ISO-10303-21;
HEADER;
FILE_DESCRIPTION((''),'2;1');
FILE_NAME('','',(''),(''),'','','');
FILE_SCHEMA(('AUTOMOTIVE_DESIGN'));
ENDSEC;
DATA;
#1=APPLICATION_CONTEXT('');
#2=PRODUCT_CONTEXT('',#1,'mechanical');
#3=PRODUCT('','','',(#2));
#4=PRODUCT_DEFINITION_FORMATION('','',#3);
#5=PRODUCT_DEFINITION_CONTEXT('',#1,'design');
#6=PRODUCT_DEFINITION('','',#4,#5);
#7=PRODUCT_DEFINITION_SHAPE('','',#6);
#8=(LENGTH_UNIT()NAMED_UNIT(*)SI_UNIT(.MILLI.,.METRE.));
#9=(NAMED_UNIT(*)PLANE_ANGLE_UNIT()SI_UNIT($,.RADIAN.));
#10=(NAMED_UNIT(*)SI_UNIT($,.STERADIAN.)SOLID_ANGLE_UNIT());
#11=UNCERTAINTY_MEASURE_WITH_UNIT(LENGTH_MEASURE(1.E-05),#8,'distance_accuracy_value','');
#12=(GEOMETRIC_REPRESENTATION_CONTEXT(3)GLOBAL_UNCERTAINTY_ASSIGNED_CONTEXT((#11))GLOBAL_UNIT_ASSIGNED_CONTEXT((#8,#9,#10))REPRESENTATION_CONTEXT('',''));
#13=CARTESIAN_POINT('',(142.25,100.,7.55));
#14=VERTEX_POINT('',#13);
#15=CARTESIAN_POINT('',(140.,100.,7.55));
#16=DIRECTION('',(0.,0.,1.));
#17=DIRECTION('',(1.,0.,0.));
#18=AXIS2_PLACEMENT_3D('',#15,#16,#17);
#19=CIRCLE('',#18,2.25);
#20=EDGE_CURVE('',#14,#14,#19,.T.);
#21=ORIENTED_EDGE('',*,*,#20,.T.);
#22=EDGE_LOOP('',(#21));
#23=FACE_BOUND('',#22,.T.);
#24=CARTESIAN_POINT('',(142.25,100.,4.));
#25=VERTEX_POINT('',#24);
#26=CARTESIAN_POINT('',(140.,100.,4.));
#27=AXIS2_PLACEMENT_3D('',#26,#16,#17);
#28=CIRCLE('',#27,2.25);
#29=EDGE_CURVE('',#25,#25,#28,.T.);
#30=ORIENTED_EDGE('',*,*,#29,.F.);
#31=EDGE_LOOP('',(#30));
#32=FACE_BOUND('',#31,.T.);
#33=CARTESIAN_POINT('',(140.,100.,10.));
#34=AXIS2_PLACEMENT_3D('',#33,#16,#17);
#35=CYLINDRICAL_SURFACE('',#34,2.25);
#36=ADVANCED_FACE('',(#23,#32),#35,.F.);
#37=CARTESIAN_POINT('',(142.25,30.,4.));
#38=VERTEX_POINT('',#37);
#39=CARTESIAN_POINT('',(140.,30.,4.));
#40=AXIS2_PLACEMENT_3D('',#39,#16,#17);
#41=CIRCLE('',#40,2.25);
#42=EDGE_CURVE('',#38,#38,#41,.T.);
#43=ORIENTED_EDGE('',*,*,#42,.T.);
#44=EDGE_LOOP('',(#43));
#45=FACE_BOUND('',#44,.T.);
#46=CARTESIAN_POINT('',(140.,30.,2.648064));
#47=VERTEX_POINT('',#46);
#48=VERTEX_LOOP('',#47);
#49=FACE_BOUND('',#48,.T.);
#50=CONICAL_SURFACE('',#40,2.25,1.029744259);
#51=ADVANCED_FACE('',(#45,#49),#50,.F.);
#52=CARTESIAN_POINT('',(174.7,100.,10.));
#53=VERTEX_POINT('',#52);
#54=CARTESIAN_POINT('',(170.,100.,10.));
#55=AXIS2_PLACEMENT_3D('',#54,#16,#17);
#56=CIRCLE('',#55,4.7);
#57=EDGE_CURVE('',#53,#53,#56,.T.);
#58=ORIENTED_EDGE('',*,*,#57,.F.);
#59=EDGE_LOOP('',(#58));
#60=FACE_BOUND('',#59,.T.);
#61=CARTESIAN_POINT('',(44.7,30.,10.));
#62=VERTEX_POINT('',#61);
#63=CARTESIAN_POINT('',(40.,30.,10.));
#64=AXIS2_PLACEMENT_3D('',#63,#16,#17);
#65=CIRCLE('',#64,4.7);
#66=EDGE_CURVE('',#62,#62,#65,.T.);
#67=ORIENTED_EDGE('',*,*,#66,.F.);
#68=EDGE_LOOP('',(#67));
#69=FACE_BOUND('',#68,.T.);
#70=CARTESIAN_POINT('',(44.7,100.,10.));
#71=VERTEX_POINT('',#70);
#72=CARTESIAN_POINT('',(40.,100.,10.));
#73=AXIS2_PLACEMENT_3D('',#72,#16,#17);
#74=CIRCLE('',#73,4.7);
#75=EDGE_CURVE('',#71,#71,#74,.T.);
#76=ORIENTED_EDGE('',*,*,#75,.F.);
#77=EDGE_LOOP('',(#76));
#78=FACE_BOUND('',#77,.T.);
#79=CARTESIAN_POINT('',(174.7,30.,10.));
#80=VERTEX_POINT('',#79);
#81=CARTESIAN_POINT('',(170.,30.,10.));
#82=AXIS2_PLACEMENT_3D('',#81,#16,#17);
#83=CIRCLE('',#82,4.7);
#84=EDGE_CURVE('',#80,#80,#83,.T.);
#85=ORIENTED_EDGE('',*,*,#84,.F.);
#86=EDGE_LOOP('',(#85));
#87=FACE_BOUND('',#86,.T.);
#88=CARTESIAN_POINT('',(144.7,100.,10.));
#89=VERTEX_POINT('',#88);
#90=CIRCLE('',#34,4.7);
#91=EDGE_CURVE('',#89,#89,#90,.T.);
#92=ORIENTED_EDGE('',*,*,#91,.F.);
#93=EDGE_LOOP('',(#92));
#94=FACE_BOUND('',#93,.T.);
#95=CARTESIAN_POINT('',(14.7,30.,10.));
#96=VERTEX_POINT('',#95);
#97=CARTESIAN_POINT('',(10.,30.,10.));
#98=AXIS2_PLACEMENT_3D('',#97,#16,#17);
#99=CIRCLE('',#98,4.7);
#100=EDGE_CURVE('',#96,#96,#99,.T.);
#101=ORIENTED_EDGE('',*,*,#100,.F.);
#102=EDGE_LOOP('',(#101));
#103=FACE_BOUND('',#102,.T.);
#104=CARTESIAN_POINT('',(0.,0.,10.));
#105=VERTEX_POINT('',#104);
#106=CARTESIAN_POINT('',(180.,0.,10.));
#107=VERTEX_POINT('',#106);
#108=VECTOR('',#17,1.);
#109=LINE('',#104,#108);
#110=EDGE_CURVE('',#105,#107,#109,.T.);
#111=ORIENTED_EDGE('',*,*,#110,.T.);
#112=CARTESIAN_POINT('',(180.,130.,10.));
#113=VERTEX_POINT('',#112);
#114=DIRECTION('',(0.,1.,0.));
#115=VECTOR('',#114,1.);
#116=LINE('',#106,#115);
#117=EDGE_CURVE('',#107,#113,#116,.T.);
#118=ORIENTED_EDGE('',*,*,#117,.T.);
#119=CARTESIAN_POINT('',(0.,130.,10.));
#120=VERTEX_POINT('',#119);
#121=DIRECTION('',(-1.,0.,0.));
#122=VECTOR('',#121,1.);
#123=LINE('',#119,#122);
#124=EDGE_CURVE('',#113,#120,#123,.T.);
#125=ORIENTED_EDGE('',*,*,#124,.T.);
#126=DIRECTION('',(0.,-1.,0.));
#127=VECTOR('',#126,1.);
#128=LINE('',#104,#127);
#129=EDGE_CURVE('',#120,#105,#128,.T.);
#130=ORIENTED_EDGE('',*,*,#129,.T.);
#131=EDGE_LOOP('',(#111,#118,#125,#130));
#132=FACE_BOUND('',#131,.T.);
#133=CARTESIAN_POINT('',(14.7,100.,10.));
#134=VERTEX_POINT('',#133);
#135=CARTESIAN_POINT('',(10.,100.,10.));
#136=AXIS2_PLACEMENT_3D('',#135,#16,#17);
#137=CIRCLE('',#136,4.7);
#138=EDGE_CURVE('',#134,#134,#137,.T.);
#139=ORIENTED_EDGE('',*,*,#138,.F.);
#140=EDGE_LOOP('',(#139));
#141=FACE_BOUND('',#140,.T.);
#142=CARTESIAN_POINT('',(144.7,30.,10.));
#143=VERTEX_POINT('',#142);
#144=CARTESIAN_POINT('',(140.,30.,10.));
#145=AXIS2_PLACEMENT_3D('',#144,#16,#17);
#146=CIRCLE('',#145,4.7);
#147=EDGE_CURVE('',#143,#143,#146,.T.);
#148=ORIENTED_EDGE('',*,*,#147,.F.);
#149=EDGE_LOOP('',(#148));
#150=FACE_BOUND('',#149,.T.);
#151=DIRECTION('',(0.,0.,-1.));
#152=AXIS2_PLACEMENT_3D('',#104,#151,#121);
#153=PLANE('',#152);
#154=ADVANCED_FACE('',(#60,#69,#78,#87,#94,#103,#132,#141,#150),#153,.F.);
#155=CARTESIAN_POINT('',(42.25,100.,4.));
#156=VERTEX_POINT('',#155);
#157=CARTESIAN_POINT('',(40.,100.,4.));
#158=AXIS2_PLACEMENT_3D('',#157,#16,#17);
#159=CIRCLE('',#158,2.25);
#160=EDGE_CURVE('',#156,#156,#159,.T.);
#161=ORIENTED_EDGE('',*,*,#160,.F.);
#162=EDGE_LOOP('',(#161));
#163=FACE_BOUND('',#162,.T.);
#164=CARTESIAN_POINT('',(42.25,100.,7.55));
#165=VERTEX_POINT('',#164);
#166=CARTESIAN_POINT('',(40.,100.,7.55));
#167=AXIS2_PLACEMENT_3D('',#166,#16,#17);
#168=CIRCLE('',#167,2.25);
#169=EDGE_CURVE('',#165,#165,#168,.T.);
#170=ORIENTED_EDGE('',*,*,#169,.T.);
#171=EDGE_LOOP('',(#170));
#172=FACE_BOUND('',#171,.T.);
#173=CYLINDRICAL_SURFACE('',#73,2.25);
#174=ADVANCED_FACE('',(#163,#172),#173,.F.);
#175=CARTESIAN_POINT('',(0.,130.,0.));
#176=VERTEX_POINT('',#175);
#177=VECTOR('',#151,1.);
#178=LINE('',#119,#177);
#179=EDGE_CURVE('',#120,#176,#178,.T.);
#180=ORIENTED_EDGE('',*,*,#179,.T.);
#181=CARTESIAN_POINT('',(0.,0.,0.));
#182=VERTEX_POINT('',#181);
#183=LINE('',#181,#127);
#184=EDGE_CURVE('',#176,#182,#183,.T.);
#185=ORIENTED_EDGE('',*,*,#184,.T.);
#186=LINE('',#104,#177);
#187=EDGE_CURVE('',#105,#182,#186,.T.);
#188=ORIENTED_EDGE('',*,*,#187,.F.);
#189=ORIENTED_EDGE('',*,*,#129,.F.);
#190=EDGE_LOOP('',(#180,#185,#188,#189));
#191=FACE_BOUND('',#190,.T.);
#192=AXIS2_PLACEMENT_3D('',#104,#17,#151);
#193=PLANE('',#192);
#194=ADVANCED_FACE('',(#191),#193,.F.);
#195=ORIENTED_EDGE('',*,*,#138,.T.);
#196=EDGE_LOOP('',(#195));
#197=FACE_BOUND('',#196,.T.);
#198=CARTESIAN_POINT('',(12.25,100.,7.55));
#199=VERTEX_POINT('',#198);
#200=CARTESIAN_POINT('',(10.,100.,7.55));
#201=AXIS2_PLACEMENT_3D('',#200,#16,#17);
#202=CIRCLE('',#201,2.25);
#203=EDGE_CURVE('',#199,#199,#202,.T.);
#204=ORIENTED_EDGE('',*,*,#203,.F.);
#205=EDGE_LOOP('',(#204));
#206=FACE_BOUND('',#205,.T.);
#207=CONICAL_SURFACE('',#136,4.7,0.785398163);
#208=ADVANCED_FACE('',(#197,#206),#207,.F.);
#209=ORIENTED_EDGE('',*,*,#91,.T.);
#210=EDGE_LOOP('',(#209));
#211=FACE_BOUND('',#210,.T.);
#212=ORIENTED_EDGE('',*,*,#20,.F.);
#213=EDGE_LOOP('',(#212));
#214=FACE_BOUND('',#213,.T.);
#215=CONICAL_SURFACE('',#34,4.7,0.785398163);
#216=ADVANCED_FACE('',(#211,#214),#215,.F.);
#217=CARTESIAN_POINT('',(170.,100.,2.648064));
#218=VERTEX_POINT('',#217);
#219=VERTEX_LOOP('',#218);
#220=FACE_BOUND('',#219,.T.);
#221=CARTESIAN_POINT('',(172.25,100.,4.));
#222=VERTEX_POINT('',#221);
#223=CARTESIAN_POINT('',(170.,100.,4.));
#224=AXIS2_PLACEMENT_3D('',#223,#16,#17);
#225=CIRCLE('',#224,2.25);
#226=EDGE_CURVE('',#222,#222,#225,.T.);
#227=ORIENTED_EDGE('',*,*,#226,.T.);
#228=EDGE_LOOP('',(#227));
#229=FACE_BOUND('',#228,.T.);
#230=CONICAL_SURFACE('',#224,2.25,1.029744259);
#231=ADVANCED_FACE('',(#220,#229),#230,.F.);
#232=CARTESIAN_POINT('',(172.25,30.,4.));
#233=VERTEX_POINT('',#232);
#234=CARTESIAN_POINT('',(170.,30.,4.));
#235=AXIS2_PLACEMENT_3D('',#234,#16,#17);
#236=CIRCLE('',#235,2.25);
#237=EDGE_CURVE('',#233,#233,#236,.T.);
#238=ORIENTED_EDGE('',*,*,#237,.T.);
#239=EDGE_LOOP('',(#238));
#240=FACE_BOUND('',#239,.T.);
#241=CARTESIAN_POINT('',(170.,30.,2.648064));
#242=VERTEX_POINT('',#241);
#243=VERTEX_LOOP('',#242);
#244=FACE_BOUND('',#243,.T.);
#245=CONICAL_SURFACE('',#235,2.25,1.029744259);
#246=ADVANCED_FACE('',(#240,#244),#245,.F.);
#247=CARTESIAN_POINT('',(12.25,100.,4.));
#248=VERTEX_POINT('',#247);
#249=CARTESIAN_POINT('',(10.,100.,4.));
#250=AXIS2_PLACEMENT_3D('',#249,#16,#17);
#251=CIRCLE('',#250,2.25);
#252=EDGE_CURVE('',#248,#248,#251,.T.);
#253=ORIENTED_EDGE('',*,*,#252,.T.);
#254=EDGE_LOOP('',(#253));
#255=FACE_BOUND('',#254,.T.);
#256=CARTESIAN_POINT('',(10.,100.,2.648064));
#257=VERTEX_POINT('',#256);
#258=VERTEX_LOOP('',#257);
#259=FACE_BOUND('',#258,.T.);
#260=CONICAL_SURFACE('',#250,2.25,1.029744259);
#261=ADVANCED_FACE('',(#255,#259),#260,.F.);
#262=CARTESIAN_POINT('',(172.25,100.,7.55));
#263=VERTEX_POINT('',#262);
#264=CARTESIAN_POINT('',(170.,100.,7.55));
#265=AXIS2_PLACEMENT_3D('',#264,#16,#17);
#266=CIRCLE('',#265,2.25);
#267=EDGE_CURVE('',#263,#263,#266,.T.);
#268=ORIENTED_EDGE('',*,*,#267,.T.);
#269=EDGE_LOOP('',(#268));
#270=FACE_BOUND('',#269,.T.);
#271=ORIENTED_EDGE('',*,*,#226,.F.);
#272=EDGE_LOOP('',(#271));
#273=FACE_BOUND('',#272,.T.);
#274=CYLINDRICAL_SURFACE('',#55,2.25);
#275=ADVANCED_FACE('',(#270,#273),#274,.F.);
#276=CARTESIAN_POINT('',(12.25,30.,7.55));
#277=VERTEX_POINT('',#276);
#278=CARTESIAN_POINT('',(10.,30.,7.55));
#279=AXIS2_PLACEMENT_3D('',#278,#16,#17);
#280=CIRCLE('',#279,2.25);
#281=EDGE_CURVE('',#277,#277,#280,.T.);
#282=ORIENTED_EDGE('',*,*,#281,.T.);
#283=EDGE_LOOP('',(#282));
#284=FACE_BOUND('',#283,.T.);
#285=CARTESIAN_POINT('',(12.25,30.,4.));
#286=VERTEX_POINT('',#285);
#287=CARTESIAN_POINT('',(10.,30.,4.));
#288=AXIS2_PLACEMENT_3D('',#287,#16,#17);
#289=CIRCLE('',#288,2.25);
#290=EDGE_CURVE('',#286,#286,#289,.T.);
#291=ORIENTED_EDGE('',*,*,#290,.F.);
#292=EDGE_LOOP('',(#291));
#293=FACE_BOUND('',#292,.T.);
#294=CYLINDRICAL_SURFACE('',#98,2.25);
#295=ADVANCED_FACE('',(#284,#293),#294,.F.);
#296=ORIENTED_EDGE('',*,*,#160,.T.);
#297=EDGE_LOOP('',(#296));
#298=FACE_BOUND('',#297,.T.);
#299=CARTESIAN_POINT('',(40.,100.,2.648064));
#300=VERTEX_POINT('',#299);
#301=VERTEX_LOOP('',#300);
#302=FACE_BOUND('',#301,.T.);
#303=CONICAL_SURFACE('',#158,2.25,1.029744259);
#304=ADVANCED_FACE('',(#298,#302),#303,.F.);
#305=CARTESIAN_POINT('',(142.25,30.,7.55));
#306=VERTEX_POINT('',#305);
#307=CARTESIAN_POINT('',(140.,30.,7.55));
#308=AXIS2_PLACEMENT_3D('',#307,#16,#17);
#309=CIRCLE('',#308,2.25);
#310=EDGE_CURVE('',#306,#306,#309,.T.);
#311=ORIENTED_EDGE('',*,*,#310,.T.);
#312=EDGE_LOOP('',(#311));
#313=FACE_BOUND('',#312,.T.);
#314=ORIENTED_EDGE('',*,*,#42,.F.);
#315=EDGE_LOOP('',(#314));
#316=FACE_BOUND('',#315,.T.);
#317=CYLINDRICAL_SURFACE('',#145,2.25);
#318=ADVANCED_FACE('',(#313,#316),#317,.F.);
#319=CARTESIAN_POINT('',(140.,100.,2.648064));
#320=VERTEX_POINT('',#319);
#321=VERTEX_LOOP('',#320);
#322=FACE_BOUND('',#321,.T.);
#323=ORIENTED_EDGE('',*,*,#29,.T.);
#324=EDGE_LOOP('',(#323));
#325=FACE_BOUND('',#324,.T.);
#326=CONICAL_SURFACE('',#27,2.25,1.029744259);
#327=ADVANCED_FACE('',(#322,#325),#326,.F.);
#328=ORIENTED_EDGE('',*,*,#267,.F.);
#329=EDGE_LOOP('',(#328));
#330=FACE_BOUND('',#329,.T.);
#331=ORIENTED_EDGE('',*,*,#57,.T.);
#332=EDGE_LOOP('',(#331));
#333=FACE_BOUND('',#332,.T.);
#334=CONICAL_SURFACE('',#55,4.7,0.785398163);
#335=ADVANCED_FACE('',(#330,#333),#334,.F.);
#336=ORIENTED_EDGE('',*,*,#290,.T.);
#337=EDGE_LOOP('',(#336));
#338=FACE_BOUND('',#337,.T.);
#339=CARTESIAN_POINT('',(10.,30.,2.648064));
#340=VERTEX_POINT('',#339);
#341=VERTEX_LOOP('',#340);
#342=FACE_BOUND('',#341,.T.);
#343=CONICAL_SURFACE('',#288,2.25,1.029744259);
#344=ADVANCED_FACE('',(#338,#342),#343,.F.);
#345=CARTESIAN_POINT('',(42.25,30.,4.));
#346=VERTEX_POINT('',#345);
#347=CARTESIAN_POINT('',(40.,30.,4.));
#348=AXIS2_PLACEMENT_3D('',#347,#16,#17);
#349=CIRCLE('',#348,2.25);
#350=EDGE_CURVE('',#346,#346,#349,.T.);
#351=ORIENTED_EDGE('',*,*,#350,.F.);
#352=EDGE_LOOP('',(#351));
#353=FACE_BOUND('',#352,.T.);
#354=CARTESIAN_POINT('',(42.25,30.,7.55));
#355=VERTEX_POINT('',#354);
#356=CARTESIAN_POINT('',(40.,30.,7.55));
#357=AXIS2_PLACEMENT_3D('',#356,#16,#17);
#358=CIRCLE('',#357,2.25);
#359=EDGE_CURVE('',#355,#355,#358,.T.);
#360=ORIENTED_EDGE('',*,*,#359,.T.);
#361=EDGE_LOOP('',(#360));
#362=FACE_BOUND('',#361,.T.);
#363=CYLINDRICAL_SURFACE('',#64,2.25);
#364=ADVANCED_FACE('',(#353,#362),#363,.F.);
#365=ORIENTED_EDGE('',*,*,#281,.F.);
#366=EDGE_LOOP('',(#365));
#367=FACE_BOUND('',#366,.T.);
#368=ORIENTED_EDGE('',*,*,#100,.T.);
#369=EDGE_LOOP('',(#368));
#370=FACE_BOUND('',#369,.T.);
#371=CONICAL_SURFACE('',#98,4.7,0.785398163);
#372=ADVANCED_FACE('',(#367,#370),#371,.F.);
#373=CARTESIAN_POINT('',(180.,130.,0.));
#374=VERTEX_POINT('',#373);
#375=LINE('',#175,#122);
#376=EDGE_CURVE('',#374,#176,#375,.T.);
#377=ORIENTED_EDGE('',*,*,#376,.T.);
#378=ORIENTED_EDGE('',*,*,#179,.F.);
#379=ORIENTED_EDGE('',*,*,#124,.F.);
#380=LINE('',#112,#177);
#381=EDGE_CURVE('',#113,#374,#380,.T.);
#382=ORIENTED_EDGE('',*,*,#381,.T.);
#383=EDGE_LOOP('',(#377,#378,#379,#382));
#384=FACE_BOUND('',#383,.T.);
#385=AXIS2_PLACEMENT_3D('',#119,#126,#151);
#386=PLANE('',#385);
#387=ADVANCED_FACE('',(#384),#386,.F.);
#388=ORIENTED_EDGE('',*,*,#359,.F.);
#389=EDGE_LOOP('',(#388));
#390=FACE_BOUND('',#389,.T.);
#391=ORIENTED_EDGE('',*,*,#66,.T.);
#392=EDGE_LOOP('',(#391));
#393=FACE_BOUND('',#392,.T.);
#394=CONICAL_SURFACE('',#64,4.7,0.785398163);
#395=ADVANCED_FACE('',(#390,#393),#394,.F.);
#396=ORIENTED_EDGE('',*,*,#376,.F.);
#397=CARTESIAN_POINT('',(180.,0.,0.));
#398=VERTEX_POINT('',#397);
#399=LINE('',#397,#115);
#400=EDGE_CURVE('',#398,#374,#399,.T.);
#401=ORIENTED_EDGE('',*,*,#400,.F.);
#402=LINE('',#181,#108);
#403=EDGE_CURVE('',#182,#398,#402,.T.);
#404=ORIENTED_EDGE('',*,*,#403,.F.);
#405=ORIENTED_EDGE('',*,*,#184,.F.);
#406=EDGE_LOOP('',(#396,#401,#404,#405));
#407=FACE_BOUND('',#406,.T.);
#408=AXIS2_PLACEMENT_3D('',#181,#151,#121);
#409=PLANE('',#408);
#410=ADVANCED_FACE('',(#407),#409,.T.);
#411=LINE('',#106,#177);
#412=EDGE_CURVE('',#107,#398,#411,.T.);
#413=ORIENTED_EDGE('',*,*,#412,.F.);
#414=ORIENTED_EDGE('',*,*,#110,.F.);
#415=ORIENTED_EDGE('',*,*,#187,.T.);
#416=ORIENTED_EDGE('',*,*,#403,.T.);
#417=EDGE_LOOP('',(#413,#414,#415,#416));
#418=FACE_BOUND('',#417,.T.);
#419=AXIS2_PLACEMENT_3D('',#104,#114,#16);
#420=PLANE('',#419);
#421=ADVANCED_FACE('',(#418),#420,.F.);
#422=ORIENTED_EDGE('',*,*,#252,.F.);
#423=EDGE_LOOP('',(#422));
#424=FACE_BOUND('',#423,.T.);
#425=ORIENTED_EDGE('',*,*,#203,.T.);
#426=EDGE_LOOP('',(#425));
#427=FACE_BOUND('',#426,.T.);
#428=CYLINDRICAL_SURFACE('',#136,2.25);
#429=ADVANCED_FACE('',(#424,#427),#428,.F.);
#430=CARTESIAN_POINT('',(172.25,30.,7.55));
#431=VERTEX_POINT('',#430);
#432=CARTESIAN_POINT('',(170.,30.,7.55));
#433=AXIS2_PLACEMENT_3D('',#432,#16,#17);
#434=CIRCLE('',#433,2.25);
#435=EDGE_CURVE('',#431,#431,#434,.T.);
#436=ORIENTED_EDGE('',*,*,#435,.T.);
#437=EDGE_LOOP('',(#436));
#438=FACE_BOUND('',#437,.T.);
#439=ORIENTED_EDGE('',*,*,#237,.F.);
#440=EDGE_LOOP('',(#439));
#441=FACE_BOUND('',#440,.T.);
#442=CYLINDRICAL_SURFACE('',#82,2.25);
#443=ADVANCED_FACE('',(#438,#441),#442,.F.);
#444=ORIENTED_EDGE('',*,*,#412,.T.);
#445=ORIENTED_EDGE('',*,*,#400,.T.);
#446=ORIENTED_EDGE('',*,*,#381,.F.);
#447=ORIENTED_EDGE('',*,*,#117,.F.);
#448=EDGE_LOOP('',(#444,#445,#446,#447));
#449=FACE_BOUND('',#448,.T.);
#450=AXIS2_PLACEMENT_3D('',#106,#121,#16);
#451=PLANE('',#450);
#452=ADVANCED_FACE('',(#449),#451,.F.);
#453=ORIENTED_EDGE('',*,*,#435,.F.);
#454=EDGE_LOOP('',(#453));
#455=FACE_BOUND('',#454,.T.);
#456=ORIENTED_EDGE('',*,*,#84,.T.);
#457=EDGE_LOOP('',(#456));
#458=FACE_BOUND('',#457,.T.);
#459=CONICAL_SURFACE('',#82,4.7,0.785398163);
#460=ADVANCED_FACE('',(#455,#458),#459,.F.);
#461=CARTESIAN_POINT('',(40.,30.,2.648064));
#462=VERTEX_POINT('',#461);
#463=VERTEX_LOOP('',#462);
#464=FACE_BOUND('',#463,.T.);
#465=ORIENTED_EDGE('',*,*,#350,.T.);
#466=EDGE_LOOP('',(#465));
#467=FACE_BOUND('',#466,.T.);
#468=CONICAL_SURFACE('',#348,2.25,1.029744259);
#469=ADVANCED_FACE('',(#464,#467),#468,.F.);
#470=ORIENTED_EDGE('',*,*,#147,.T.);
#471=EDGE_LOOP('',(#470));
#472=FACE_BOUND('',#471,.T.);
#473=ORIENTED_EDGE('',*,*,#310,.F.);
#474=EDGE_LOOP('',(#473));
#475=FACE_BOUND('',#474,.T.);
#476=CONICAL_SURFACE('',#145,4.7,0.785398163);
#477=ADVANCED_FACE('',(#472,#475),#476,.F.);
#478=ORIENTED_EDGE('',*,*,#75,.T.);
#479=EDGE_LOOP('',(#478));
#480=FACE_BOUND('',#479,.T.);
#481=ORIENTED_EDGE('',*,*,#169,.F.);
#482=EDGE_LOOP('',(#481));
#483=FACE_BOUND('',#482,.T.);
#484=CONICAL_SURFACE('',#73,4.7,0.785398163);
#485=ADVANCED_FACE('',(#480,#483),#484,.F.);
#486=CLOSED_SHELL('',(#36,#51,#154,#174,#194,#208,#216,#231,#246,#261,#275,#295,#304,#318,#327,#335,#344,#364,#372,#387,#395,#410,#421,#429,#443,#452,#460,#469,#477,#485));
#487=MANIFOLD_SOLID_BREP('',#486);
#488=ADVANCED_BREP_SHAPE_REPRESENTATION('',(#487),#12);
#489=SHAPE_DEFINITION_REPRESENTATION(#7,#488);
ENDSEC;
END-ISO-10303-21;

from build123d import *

# Parameters (mm, degrees)
SKETCH1_W                                           = 180
SKETCH1_H                                           = 130
BOSS_EXTRUDE1_DEPTH                                 = 10
CSK_FOR_M4_COUNTERSUNK_FLAT_HEAD_SCREW1_D           = 4.5
CSK_FOR_M4_COUNTERSUNK_FLAT_HEAD_SCREW1_DEPTH       = 6
CSK_FOR_M4_COUNTERSUNK_FLAT_HEAD_SCREW1_CSINK_D     = 9.4
CSK_FOR_M4_COUNTERSUNK_FLAT_HEAD_SCREW1_CSINK_ANGLE = 90
CSK_FOR_M4_COUNTERSUNK_FLAT_HEAD_SCREW1_TIP         = 1.351936393


with BuildPart() as part:
    # Sketch1 → Boss-Extrude1 (new body)
    with BuildSketch(Plane.XY):
        with Locations((90, 65)):
            Rectangle(SKETCH1_W, SKETCH1_H)
    extrude(amount=BOSS_EXTRUDE1_DEPTH)

    # CSK for M4 Countersunk Flat Head Screw1
    with Locations(Plane.XY.offset(10)):
        with Locations((10, 100), (40, 100), (10, 30), (40, 30), (140, 100), (170, 100), (140, 30), (170, 30)):
            CounterSinkHole(CSK_FOR_M4_COUNTERSUNK_FLAT_HEAD_SCREW1_D / 2, CSK_FOR_M4_COUNTERSUNK_FLAT_HEAD_SCREW1_CSINK_D / 2, depth=CSK_FOR_M4_COUNTERSUNK_FLAT_HEAD_SCREW1_DEPTH, counter_sink_angle=CSK_FOR_M4_COUNTERSUNK_FLAT_HEAD_SCREW1_CSINK_ANGLE)
            with Locations((0, 0, -(CSK_FOR_M4_COUNTERSUNK_FLAT_HEAD_SCREW1_DEPTH + CSK_FOR_M4_COUNTERSUNK_FLAT_HEAD_SCREW1_TIP / 2))):  # 118° drill point
                Cone(0, CSK_FOR_M4_COUNTERSUNK_FLAT_HEAD_SCREW1_D / 2, CSK_FOR_M4_COUNTERSUNK_FLAT_HEAD_SCREW1_TIP, mode=Mode.SUBTRACT)


solid = part.part
